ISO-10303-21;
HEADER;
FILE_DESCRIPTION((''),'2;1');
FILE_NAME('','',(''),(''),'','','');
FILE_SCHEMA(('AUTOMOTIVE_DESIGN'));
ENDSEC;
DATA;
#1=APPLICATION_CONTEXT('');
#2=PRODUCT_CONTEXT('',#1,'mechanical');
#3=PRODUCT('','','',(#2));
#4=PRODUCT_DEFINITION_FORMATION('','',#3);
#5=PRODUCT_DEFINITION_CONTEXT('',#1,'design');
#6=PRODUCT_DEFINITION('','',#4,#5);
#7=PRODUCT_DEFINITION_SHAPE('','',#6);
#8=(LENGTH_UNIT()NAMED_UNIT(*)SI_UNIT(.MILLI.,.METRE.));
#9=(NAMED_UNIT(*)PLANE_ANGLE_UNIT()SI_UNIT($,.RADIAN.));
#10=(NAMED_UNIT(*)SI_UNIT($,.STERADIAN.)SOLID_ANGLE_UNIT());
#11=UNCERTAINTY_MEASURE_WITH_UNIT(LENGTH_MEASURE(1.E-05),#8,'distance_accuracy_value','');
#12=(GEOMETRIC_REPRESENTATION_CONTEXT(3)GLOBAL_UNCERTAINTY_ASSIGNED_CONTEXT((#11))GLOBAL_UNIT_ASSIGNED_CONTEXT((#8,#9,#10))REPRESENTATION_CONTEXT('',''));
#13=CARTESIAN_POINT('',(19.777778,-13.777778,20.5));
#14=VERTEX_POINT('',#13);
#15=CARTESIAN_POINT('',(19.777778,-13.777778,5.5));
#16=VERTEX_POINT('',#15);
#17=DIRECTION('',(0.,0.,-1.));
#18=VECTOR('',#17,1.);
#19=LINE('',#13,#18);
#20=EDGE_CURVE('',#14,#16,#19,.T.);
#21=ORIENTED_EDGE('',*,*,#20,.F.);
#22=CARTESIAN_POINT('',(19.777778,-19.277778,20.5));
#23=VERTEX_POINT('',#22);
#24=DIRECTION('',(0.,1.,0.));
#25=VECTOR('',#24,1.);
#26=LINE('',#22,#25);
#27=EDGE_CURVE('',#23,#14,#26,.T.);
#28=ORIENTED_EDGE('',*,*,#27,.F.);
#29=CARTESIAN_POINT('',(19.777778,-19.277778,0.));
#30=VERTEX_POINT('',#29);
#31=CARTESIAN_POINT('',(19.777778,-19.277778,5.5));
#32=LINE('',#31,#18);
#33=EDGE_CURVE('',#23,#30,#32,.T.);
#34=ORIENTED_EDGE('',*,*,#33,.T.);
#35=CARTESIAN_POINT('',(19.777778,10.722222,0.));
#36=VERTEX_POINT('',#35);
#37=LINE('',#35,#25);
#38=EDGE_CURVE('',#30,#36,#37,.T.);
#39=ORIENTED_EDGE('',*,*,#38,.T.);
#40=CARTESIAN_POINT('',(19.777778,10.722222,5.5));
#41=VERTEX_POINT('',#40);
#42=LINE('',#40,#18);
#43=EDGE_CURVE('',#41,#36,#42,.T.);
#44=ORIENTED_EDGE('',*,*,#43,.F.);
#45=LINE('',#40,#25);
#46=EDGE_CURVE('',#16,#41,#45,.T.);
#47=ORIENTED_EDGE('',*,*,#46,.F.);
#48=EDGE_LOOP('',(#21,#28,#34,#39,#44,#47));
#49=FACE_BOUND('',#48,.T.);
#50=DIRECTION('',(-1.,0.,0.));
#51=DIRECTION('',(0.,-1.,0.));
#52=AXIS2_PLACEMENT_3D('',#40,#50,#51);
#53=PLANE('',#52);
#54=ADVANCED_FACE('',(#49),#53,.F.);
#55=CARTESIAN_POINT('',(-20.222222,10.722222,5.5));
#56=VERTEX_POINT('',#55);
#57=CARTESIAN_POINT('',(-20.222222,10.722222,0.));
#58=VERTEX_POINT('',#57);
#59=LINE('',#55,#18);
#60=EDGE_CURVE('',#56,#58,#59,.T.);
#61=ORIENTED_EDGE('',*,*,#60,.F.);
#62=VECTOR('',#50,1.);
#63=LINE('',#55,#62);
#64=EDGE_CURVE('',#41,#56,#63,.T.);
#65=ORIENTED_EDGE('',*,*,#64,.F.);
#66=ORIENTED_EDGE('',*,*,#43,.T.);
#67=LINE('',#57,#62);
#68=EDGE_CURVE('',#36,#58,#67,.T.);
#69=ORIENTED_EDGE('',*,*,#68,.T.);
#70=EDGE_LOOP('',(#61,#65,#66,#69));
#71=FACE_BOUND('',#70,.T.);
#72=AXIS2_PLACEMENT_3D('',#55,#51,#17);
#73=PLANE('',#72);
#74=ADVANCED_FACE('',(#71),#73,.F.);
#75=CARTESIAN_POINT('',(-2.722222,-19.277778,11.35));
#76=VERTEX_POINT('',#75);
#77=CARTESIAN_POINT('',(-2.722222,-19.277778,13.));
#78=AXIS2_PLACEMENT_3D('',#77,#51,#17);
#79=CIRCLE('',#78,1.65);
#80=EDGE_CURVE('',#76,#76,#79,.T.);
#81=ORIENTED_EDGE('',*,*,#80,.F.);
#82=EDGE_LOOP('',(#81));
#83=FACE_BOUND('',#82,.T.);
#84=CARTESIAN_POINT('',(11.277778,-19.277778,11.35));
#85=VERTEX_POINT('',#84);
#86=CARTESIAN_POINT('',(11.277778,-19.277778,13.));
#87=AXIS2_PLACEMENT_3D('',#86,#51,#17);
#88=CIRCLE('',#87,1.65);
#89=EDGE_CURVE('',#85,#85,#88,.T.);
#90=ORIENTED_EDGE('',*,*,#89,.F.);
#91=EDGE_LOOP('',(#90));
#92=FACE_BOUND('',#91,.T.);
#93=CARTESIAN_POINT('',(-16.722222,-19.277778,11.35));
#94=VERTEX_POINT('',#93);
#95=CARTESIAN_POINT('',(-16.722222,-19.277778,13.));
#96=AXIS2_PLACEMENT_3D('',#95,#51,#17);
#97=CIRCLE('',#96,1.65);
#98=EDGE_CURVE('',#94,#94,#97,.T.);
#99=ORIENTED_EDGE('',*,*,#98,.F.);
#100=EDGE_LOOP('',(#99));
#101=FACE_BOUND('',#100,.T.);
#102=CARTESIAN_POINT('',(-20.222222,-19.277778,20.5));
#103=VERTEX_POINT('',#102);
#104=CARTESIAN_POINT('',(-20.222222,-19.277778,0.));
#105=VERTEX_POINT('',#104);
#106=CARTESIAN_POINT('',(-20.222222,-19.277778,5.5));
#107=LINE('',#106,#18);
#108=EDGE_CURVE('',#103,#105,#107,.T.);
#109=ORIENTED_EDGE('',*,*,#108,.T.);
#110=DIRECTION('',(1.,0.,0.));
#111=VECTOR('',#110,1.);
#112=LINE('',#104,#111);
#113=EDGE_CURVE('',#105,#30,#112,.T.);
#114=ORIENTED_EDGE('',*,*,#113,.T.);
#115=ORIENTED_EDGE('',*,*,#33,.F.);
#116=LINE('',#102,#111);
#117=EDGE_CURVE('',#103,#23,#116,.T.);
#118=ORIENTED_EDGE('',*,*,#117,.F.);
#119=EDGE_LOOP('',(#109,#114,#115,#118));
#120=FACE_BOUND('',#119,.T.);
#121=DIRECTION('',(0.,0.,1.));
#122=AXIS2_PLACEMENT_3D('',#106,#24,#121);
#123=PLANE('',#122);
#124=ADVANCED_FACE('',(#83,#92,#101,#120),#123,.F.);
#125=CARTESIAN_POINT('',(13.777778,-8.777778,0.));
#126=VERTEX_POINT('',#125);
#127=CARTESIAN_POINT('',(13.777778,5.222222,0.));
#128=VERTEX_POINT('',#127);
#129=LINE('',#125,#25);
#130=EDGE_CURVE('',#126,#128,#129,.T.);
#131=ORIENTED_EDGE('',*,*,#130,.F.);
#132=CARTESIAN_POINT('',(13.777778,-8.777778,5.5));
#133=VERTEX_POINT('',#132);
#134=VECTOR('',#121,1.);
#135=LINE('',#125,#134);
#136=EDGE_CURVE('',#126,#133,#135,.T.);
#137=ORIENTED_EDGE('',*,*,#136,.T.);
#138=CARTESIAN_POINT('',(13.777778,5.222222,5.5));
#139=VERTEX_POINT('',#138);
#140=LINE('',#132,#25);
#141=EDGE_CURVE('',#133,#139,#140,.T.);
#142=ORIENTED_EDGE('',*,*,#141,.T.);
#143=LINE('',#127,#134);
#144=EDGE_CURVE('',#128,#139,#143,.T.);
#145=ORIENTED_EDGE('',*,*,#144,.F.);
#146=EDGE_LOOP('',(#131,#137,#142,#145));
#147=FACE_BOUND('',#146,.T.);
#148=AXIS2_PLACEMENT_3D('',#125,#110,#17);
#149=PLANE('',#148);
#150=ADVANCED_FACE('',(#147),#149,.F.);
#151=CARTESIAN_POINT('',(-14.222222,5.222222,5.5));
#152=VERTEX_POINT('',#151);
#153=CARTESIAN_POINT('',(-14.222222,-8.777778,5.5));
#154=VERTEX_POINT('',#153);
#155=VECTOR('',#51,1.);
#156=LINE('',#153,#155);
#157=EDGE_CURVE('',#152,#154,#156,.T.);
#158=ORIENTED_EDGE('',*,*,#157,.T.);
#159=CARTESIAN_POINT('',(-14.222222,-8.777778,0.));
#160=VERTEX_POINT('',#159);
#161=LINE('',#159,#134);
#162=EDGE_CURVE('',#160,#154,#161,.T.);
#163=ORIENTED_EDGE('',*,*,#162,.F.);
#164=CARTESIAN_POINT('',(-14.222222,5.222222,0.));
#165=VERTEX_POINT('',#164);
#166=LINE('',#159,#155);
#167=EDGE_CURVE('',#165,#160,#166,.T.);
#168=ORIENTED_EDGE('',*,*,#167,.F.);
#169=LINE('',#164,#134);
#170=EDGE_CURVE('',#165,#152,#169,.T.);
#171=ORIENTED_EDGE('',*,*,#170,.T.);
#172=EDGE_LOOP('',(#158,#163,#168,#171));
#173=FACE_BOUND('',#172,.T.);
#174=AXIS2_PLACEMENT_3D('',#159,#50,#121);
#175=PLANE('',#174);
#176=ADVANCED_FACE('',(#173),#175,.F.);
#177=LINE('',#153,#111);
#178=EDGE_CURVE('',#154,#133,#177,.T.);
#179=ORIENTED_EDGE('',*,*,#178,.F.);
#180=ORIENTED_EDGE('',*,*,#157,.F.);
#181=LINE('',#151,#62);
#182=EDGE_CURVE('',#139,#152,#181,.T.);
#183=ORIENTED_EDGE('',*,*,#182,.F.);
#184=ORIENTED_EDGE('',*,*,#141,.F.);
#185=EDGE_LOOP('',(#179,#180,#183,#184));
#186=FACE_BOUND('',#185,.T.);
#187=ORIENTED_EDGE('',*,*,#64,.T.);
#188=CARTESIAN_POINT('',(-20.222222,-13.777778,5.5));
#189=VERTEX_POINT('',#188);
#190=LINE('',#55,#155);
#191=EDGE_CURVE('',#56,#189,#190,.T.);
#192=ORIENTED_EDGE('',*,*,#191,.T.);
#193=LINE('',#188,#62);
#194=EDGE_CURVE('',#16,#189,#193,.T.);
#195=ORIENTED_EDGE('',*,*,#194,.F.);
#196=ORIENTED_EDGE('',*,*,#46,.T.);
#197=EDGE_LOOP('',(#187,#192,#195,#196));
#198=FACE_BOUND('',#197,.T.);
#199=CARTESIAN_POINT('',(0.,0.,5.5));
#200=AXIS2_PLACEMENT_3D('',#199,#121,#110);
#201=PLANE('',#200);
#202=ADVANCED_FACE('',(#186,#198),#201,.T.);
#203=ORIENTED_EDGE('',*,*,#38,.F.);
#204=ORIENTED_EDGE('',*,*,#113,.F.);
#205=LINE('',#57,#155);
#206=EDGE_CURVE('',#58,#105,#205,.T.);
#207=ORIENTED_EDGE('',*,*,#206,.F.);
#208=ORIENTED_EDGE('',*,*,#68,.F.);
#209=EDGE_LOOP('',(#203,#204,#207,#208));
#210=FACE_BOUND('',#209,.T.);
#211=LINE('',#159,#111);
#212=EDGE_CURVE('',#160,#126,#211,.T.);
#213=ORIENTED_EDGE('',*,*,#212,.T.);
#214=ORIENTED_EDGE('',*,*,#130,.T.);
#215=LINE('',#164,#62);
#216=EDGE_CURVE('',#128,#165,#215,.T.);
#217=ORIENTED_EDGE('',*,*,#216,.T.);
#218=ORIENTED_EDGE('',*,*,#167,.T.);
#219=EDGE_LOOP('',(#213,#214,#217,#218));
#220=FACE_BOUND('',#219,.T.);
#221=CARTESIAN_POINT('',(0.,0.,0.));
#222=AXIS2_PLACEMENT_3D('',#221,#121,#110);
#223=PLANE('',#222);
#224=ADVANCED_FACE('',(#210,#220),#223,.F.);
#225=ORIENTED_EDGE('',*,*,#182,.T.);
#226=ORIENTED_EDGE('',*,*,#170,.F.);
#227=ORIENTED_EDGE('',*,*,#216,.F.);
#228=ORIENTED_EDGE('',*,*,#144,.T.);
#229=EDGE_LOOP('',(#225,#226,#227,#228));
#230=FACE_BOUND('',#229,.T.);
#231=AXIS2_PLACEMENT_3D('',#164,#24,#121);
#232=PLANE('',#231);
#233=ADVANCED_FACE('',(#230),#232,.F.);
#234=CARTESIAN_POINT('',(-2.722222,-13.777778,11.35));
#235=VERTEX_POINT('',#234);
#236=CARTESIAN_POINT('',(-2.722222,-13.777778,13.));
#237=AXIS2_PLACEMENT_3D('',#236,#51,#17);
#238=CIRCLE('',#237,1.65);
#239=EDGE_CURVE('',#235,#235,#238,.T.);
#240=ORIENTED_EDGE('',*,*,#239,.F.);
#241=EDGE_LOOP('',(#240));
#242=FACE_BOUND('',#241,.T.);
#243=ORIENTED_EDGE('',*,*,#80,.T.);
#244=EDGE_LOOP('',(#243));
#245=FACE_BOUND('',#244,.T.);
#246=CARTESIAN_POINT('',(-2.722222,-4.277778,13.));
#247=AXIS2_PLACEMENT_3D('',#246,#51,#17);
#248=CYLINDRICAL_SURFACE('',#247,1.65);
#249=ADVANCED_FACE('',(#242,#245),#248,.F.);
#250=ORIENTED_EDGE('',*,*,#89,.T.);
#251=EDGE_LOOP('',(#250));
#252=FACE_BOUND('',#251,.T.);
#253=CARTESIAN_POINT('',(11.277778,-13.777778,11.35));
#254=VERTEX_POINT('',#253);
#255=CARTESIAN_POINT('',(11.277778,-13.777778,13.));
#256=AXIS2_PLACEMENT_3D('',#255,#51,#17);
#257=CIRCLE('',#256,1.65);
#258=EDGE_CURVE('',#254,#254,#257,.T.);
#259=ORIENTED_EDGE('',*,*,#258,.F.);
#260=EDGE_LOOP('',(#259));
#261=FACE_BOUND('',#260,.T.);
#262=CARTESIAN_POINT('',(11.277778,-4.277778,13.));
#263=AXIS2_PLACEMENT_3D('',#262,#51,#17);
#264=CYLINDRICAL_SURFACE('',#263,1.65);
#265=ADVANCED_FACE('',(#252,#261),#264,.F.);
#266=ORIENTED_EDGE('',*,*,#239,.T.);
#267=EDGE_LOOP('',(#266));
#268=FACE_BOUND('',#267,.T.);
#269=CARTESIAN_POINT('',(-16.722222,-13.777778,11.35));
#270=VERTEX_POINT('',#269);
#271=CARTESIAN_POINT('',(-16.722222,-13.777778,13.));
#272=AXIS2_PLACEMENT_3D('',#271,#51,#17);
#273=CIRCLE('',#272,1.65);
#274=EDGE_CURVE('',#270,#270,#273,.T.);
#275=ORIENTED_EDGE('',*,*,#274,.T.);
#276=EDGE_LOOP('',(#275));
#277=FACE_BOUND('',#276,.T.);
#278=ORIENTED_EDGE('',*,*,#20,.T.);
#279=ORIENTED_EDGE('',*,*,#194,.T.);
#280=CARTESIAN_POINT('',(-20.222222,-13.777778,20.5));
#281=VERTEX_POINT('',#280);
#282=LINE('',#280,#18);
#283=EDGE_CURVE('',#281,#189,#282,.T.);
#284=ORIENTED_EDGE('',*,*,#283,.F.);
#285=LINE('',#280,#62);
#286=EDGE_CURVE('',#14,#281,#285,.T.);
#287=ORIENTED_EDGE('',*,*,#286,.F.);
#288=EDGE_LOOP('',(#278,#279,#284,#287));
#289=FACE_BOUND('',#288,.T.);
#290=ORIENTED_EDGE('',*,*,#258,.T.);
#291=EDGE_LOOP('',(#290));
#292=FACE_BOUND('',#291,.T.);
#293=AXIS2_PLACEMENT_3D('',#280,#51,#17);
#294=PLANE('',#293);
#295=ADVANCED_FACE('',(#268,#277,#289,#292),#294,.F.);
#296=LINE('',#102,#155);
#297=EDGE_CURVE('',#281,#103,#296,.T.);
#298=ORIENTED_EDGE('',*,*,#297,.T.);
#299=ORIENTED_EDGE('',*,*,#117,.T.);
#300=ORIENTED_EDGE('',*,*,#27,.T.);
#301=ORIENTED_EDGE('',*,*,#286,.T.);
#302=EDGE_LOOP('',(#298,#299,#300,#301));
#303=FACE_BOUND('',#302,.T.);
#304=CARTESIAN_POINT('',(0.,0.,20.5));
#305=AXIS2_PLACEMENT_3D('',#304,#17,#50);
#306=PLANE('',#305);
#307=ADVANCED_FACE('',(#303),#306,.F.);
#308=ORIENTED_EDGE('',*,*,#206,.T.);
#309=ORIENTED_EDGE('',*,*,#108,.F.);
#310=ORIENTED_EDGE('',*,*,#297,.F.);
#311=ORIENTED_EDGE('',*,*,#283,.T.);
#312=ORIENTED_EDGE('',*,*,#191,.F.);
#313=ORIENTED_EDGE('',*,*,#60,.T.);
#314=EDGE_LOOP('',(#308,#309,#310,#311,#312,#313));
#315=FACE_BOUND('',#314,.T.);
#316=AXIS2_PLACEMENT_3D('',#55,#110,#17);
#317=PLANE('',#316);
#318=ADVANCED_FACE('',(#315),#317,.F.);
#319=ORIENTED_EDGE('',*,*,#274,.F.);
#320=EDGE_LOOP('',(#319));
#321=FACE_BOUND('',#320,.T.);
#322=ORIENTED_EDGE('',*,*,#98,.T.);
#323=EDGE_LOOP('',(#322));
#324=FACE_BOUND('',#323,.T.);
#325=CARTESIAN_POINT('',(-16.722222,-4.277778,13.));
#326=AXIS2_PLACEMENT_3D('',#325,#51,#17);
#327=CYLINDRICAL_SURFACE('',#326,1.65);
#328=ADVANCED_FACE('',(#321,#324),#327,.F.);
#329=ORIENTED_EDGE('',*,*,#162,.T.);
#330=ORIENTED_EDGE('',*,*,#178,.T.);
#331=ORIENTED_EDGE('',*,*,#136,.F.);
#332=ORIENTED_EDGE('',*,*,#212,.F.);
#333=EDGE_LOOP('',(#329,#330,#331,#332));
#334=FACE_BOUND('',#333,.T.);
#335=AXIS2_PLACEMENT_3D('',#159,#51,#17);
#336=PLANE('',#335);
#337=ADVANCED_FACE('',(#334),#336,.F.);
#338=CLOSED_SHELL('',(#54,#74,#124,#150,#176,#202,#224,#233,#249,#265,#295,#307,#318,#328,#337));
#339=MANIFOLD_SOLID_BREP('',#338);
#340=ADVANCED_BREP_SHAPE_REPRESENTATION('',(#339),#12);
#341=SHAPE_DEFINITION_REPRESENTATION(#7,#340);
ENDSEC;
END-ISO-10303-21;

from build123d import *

# Parameters (mm, degrees)
SKETCH1_W           = 40
SKETCH1_H           = 30
BOSS_EXTRUDE1_DEPTH = 5.5
SKETCH4_W           = 28
SKETCH4_H           = 14
CUT_EXTRUDE1_DEPTH  = 5.5
SKETCH5_W           = 40
SKETCH5_H           = 5.5
BOSS_EXTRUDE2_DEPTH = 15
SKETCH6_R           = 1.65
CUT_EXTRUDE3_DEPTH  = 15


with BuildPart() as part:
    # Sketch1 → Boss-Extrude1 (new body)
    with BuildSketch(Plane.XY):
        with Locations((-0.222222222, -4.277777778)):
            Rectangle(SKETCH1_W, SKETCH1_H)
    extrude(amount=BOSS_EXTRUDE1_DEPTH)

    # Sketch4 → Cut-Extrude1 (cut)
    with BuildSketch(Plane.XY.offset(5.5)):
        with Locations((-0.222222222, -1.777777778)):
            Rectangle(SKETCH4_W, SKETCH4_H)
    extrude(amount=-CUT_EXTRUDE1_DEPTH, mode=Mode.SUBTRACT)

    # Sketch5 → Boss-Extrude2 (add)
    with BuildSketch(Plane.XY.offset(5.5)):
        with Locations((-0.222222222, -16.527777778)):
            Rectangle(SKETCH5_W, SKETCH5_H)
    extrude(amount=BOSS_EXTRUDE2_DEPTH)

    # Sketch6 → Cut-Extrude3 (cut)
    with BuildSketch(Plane.XZ.offset(19.277777778)):
        with Locations(Location((-16.722222222, 13, 0), (0, 0, 270))):
            Circle(SKETCH6_R)
        with Locations(Location((-2.722222222, 13, 0), (0, 0, 270))):
            Circle(SKETCH6_R)
        with Locations(Location((11.277777778, 13, 0), (0, 0, 270))):
            Circle(SKETCH6_R)
    extrude(amount=-CUT_EXTRUDE3_DEPTH, mode=Mode.SUBTRACT)


solid = part.part
